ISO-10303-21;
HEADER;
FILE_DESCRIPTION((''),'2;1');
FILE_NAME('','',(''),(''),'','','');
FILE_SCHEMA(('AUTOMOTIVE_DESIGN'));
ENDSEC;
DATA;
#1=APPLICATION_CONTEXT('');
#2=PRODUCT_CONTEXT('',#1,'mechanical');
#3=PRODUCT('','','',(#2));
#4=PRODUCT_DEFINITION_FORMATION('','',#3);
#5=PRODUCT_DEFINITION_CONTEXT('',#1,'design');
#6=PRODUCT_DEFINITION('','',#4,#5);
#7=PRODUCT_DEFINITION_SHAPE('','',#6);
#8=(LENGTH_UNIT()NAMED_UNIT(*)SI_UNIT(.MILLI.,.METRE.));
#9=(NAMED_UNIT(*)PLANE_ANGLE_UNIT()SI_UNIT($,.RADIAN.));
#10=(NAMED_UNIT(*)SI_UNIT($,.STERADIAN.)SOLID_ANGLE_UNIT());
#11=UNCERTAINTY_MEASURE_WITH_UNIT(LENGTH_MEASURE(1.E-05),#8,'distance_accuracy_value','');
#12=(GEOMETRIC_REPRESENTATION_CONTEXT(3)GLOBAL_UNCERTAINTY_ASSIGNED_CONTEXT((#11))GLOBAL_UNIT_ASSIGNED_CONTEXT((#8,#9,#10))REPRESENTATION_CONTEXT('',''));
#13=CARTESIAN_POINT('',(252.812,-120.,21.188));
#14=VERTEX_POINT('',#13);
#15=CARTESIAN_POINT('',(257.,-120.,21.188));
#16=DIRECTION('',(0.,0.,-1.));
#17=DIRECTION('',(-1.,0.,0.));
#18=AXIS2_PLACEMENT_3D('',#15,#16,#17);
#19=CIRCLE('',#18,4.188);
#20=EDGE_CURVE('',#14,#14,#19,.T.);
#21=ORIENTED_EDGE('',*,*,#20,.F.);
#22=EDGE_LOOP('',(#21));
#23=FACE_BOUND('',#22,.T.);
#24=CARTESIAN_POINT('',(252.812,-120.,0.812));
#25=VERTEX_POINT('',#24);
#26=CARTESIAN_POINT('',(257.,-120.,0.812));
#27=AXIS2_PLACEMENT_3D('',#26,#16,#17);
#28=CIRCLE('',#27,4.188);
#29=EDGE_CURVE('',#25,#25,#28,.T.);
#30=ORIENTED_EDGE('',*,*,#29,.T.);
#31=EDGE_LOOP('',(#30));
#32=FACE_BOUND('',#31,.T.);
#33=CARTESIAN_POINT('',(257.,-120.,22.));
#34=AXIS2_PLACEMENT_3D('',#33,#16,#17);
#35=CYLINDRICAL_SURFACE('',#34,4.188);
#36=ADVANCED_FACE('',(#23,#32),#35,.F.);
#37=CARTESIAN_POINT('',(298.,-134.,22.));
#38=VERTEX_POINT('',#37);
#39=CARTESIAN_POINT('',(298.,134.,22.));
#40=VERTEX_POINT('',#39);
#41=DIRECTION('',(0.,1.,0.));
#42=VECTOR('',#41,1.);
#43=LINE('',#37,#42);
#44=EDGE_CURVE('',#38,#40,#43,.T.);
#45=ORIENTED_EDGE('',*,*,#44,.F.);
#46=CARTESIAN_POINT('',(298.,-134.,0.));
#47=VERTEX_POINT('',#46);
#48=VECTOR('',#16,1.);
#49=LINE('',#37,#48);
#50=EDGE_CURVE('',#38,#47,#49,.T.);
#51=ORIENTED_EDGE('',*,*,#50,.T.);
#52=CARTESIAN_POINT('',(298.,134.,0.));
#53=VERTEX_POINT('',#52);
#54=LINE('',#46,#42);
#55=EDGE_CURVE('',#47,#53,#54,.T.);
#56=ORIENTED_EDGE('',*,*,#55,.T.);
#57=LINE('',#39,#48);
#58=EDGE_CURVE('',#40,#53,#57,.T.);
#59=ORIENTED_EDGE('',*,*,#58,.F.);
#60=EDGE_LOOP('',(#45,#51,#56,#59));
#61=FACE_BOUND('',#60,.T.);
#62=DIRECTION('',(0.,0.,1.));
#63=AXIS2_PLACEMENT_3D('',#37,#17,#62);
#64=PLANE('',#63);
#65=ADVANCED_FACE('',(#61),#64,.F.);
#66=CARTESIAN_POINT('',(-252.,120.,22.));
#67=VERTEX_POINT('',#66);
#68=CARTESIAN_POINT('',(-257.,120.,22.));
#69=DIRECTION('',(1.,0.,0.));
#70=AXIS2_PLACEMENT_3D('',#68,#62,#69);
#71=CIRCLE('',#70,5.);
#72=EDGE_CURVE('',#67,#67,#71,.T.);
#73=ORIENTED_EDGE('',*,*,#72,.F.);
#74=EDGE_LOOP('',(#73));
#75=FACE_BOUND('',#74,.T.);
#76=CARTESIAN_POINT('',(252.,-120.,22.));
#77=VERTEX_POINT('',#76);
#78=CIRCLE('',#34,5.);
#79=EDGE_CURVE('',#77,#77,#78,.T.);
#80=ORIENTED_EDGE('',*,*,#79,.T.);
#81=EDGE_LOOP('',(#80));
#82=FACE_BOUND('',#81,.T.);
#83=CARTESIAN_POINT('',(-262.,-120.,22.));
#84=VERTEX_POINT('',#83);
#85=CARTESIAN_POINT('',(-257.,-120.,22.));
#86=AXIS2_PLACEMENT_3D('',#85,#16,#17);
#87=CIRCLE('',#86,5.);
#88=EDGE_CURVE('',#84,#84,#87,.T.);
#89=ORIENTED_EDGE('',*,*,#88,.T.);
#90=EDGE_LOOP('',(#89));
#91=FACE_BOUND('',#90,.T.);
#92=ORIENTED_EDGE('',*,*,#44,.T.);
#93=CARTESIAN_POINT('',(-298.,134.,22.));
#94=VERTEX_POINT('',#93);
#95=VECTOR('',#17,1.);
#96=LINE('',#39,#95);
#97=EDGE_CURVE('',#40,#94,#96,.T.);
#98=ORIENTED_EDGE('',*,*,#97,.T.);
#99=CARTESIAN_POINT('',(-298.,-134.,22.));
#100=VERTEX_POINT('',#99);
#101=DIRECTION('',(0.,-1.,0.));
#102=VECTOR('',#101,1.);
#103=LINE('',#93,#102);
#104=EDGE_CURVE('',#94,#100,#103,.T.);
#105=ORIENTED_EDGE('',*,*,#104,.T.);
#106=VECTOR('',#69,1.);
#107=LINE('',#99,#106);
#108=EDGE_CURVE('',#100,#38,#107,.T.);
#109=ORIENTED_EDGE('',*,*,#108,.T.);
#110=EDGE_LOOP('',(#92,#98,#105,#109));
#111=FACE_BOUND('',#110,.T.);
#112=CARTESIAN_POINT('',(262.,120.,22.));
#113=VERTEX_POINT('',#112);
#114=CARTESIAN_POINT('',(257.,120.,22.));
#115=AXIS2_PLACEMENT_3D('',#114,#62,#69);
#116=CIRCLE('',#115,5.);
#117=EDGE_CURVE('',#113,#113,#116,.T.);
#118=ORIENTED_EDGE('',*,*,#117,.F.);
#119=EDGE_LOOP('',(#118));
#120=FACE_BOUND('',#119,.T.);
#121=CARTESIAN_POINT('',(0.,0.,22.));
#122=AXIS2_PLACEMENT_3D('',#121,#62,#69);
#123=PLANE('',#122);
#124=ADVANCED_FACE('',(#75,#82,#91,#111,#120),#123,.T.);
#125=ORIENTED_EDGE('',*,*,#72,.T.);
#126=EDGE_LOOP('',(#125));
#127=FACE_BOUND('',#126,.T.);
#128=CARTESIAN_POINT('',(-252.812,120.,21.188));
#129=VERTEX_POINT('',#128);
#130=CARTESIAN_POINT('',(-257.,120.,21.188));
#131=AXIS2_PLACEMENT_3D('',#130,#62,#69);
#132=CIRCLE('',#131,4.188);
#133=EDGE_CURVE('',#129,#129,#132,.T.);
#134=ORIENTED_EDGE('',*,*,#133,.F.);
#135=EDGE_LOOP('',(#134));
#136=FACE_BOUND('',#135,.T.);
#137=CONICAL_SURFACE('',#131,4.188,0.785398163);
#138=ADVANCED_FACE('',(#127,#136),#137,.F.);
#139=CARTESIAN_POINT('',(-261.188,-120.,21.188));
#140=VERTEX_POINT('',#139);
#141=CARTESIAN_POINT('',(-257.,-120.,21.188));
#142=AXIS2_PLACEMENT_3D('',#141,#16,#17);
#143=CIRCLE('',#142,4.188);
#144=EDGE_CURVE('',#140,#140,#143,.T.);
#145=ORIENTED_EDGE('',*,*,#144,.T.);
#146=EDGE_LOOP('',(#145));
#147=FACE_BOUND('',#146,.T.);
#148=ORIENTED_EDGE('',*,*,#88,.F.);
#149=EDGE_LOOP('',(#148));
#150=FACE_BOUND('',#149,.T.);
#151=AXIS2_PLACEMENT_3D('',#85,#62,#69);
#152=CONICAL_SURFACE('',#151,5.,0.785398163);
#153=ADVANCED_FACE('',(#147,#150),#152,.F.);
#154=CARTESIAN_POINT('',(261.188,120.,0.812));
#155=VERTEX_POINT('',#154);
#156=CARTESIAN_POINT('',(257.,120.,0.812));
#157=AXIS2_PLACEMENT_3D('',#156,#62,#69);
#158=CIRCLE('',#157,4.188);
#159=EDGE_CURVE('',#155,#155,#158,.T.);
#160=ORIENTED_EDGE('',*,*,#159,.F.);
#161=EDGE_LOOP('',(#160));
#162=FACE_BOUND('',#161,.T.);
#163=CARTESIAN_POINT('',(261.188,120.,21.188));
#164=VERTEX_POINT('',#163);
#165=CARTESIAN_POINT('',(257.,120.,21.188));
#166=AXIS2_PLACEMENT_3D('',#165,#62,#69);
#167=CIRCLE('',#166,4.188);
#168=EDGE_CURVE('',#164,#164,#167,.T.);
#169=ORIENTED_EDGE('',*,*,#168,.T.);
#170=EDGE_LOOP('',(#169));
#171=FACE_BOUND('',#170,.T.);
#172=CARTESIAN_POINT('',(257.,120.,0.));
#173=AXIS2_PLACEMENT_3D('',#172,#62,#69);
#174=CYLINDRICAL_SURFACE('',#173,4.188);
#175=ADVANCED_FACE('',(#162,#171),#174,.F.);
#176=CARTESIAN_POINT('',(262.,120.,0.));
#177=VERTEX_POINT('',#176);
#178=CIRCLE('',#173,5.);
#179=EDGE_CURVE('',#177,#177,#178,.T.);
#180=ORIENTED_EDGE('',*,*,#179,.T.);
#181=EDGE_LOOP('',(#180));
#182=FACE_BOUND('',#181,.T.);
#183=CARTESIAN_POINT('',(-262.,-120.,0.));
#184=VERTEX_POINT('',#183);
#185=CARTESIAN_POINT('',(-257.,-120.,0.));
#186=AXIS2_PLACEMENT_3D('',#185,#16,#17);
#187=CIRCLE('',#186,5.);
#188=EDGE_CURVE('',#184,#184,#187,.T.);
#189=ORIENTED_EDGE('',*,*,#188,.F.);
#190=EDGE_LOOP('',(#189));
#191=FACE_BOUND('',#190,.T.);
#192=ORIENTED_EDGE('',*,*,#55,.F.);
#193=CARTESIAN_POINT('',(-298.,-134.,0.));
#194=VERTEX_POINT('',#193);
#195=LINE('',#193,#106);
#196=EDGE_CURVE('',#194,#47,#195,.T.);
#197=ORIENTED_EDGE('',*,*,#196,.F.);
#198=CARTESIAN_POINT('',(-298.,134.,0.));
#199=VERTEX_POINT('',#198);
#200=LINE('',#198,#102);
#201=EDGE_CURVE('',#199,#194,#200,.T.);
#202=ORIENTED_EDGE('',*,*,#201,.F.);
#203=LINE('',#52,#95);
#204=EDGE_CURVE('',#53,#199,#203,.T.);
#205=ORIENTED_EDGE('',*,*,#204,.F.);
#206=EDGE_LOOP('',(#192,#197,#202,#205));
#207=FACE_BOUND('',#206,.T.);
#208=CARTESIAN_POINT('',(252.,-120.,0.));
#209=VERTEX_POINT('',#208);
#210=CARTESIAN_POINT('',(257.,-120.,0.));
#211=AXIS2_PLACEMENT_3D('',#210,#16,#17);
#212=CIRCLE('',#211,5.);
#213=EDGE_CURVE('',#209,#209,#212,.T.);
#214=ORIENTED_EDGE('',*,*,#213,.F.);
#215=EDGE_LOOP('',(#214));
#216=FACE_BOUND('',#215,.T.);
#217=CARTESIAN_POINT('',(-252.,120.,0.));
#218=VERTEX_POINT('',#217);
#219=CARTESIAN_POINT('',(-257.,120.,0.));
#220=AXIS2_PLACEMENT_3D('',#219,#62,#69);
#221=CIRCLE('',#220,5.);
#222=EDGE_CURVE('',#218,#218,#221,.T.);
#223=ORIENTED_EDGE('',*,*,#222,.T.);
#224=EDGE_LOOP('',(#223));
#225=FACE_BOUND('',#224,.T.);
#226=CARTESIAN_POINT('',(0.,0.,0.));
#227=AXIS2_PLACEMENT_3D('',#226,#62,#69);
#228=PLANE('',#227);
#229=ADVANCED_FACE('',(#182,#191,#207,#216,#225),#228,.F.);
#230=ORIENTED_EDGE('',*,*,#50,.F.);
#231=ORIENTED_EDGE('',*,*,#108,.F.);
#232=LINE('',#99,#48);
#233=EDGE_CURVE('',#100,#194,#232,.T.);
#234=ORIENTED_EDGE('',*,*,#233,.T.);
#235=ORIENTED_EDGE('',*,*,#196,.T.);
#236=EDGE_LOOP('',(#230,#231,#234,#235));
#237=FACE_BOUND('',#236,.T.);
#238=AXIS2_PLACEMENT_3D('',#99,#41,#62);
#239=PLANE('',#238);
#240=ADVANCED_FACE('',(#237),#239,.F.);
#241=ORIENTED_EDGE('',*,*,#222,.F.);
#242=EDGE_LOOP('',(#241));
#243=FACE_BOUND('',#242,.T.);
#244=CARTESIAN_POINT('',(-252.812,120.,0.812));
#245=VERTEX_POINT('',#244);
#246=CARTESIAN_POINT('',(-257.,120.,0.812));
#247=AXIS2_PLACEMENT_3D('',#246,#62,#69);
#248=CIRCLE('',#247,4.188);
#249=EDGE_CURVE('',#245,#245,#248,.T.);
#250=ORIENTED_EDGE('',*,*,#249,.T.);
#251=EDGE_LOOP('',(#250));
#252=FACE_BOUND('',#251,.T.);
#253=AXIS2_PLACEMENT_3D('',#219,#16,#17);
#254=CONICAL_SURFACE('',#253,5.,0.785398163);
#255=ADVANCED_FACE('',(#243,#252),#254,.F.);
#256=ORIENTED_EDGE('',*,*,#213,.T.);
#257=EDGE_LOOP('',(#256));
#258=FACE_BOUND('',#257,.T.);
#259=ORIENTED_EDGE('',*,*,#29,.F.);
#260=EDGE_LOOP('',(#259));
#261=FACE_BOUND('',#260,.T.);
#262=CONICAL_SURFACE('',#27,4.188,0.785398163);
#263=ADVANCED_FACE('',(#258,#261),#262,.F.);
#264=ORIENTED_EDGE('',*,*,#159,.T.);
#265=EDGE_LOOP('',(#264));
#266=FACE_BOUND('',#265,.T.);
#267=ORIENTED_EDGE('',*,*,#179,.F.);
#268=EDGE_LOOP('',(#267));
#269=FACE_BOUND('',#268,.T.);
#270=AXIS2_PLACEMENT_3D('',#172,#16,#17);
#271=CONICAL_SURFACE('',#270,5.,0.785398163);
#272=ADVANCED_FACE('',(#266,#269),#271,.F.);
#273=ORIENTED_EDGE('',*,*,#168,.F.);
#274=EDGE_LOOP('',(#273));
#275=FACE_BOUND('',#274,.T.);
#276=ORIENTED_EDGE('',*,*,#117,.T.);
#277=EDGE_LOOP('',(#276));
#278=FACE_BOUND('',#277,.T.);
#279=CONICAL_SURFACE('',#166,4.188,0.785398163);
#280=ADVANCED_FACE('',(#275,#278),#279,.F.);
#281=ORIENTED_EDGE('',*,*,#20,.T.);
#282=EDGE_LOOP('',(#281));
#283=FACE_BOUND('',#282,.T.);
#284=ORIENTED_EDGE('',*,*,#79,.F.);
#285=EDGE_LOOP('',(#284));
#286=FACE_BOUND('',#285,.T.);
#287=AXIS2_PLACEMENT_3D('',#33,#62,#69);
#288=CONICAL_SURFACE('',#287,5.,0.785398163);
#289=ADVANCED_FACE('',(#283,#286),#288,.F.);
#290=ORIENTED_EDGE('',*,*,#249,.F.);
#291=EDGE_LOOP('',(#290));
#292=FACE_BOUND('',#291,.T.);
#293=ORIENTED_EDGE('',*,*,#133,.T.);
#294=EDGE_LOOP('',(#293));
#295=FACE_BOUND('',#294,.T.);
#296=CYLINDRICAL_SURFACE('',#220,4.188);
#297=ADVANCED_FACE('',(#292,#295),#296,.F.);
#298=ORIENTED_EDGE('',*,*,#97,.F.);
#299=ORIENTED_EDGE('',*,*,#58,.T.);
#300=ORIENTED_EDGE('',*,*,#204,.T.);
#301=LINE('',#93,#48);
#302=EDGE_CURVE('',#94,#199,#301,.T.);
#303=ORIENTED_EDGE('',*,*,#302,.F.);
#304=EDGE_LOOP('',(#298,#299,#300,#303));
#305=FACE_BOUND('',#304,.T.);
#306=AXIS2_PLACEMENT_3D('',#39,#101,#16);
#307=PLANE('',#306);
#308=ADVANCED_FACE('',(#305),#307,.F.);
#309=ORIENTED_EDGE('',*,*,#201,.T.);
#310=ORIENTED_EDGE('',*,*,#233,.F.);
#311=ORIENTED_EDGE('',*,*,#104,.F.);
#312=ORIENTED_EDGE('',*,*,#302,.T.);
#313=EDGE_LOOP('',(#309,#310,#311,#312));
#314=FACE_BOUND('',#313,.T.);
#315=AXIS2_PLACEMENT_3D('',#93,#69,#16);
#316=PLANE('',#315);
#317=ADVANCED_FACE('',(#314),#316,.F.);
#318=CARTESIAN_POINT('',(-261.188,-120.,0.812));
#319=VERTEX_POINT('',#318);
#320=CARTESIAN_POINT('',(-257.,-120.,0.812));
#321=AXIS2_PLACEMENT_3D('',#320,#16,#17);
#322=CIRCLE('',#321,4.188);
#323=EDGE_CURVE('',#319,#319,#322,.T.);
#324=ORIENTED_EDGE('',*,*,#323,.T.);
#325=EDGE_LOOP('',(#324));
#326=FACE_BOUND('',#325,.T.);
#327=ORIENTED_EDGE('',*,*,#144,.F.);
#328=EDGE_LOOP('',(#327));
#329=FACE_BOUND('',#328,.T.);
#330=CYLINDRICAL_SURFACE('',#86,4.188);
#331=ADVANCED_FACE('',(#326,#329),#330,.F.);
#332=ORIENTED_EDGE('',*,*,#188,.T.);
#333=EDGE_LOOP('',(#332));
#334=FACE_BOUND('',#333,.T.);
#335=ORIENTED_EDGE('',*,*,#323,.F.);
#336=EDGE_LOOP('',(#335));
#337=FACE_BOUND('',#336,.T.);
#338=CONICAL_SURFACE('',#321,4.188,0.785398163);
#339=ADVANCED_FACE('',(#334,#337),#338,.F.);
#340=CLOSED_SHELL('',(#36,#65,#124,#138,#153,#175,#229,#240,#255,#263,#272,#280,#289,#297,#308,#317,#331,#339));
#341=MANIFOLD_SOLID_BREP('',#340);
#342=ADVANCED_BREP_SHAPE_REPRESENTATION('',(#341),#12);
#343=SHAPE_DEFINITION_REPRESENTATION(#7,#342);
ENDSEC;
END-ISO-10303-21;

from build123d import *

# Parameters (mm, degrees)
SZKIC1_W                    = 596
SZKIC1_H                    = 268
DODANIE_WYCI_GNI_CIE1_DEPTH = 22


with BuildPart() as part:
    # Szkic1 → Dodanie-wyciągnięcie1 (new body)
    with BuildSketch(Plane.XY):
        Rectangle(SZKIC1_W, SZKIC1_H)
    extrude(amount=DODANIE_WYCI_GNI_CIE1_DEPTH)

    # Szkic2 → Wycięcie-obrót1 (revolve, cut)
    with BuildSketch(Plane(origin=(-257, 0, 0), x_dir=(0, 0, -1), z_dir=(1, 0, 0))):
        Polygon((-22, 120), (-22, 125), (-21.188, 124.188), (-0.812, 124.188), (0, 125), (0, 120), align=None)
    revolve(axis=Axis((-257, 120, 0), (0, 0, 1)), mode=Mode.SUBTRACT)

    # Szkic3 → Wycięcie-obrót2 (revolve, cut)
    with BuildSketch(Plane(origin=(-257, 0, 0), x_dir=(0, 0, -1), z_dir=(1, 0, 0))):
        Polygon((0, -120), (0, -125), (-0.812, -124.188), (-21.188, -124.188), (-22, -125), (-22, -120), align=None)
    revolve(axis=Axis((-257, -120, 22), (0, 0, -1)), mode=Mode.SUBTRACT)

    # Szkic4 → Wycięcie-obrót3 (revolve, cut)
    with BuildSketch(Plane(origin=(257, 0, 0), x_dir=(0, 0, -1), z_dir=(1, 0, 0))):
        Polygon((-22, 120), (-22, 125), (-21.188, 124.188), (-0.812, 124.188), (0, 125), (0, 120), align=None)
    revolve(axis=Axis((257, 120, 0), (0, 0, 1)), mode=Mode.SUBTRACT)

    # Szkic5 → Wycięcie-obrót4 (revolve, cut)
    with BuildSketch(Plane(origin=(257, 0, 0), x_dir=(0, 0, -1), z_dir=(1, 0, 0))):
        Polygon((0, -120), (0, -125), (-0.812, -124.188), (-21.188, -124.188), (-22, -125), (-22, -120), align=None)
    revolve(axis=Axis((257, -120, 22), (0, 0, -1)), mode=Mode.SUBTRACT)


solid = part.part
